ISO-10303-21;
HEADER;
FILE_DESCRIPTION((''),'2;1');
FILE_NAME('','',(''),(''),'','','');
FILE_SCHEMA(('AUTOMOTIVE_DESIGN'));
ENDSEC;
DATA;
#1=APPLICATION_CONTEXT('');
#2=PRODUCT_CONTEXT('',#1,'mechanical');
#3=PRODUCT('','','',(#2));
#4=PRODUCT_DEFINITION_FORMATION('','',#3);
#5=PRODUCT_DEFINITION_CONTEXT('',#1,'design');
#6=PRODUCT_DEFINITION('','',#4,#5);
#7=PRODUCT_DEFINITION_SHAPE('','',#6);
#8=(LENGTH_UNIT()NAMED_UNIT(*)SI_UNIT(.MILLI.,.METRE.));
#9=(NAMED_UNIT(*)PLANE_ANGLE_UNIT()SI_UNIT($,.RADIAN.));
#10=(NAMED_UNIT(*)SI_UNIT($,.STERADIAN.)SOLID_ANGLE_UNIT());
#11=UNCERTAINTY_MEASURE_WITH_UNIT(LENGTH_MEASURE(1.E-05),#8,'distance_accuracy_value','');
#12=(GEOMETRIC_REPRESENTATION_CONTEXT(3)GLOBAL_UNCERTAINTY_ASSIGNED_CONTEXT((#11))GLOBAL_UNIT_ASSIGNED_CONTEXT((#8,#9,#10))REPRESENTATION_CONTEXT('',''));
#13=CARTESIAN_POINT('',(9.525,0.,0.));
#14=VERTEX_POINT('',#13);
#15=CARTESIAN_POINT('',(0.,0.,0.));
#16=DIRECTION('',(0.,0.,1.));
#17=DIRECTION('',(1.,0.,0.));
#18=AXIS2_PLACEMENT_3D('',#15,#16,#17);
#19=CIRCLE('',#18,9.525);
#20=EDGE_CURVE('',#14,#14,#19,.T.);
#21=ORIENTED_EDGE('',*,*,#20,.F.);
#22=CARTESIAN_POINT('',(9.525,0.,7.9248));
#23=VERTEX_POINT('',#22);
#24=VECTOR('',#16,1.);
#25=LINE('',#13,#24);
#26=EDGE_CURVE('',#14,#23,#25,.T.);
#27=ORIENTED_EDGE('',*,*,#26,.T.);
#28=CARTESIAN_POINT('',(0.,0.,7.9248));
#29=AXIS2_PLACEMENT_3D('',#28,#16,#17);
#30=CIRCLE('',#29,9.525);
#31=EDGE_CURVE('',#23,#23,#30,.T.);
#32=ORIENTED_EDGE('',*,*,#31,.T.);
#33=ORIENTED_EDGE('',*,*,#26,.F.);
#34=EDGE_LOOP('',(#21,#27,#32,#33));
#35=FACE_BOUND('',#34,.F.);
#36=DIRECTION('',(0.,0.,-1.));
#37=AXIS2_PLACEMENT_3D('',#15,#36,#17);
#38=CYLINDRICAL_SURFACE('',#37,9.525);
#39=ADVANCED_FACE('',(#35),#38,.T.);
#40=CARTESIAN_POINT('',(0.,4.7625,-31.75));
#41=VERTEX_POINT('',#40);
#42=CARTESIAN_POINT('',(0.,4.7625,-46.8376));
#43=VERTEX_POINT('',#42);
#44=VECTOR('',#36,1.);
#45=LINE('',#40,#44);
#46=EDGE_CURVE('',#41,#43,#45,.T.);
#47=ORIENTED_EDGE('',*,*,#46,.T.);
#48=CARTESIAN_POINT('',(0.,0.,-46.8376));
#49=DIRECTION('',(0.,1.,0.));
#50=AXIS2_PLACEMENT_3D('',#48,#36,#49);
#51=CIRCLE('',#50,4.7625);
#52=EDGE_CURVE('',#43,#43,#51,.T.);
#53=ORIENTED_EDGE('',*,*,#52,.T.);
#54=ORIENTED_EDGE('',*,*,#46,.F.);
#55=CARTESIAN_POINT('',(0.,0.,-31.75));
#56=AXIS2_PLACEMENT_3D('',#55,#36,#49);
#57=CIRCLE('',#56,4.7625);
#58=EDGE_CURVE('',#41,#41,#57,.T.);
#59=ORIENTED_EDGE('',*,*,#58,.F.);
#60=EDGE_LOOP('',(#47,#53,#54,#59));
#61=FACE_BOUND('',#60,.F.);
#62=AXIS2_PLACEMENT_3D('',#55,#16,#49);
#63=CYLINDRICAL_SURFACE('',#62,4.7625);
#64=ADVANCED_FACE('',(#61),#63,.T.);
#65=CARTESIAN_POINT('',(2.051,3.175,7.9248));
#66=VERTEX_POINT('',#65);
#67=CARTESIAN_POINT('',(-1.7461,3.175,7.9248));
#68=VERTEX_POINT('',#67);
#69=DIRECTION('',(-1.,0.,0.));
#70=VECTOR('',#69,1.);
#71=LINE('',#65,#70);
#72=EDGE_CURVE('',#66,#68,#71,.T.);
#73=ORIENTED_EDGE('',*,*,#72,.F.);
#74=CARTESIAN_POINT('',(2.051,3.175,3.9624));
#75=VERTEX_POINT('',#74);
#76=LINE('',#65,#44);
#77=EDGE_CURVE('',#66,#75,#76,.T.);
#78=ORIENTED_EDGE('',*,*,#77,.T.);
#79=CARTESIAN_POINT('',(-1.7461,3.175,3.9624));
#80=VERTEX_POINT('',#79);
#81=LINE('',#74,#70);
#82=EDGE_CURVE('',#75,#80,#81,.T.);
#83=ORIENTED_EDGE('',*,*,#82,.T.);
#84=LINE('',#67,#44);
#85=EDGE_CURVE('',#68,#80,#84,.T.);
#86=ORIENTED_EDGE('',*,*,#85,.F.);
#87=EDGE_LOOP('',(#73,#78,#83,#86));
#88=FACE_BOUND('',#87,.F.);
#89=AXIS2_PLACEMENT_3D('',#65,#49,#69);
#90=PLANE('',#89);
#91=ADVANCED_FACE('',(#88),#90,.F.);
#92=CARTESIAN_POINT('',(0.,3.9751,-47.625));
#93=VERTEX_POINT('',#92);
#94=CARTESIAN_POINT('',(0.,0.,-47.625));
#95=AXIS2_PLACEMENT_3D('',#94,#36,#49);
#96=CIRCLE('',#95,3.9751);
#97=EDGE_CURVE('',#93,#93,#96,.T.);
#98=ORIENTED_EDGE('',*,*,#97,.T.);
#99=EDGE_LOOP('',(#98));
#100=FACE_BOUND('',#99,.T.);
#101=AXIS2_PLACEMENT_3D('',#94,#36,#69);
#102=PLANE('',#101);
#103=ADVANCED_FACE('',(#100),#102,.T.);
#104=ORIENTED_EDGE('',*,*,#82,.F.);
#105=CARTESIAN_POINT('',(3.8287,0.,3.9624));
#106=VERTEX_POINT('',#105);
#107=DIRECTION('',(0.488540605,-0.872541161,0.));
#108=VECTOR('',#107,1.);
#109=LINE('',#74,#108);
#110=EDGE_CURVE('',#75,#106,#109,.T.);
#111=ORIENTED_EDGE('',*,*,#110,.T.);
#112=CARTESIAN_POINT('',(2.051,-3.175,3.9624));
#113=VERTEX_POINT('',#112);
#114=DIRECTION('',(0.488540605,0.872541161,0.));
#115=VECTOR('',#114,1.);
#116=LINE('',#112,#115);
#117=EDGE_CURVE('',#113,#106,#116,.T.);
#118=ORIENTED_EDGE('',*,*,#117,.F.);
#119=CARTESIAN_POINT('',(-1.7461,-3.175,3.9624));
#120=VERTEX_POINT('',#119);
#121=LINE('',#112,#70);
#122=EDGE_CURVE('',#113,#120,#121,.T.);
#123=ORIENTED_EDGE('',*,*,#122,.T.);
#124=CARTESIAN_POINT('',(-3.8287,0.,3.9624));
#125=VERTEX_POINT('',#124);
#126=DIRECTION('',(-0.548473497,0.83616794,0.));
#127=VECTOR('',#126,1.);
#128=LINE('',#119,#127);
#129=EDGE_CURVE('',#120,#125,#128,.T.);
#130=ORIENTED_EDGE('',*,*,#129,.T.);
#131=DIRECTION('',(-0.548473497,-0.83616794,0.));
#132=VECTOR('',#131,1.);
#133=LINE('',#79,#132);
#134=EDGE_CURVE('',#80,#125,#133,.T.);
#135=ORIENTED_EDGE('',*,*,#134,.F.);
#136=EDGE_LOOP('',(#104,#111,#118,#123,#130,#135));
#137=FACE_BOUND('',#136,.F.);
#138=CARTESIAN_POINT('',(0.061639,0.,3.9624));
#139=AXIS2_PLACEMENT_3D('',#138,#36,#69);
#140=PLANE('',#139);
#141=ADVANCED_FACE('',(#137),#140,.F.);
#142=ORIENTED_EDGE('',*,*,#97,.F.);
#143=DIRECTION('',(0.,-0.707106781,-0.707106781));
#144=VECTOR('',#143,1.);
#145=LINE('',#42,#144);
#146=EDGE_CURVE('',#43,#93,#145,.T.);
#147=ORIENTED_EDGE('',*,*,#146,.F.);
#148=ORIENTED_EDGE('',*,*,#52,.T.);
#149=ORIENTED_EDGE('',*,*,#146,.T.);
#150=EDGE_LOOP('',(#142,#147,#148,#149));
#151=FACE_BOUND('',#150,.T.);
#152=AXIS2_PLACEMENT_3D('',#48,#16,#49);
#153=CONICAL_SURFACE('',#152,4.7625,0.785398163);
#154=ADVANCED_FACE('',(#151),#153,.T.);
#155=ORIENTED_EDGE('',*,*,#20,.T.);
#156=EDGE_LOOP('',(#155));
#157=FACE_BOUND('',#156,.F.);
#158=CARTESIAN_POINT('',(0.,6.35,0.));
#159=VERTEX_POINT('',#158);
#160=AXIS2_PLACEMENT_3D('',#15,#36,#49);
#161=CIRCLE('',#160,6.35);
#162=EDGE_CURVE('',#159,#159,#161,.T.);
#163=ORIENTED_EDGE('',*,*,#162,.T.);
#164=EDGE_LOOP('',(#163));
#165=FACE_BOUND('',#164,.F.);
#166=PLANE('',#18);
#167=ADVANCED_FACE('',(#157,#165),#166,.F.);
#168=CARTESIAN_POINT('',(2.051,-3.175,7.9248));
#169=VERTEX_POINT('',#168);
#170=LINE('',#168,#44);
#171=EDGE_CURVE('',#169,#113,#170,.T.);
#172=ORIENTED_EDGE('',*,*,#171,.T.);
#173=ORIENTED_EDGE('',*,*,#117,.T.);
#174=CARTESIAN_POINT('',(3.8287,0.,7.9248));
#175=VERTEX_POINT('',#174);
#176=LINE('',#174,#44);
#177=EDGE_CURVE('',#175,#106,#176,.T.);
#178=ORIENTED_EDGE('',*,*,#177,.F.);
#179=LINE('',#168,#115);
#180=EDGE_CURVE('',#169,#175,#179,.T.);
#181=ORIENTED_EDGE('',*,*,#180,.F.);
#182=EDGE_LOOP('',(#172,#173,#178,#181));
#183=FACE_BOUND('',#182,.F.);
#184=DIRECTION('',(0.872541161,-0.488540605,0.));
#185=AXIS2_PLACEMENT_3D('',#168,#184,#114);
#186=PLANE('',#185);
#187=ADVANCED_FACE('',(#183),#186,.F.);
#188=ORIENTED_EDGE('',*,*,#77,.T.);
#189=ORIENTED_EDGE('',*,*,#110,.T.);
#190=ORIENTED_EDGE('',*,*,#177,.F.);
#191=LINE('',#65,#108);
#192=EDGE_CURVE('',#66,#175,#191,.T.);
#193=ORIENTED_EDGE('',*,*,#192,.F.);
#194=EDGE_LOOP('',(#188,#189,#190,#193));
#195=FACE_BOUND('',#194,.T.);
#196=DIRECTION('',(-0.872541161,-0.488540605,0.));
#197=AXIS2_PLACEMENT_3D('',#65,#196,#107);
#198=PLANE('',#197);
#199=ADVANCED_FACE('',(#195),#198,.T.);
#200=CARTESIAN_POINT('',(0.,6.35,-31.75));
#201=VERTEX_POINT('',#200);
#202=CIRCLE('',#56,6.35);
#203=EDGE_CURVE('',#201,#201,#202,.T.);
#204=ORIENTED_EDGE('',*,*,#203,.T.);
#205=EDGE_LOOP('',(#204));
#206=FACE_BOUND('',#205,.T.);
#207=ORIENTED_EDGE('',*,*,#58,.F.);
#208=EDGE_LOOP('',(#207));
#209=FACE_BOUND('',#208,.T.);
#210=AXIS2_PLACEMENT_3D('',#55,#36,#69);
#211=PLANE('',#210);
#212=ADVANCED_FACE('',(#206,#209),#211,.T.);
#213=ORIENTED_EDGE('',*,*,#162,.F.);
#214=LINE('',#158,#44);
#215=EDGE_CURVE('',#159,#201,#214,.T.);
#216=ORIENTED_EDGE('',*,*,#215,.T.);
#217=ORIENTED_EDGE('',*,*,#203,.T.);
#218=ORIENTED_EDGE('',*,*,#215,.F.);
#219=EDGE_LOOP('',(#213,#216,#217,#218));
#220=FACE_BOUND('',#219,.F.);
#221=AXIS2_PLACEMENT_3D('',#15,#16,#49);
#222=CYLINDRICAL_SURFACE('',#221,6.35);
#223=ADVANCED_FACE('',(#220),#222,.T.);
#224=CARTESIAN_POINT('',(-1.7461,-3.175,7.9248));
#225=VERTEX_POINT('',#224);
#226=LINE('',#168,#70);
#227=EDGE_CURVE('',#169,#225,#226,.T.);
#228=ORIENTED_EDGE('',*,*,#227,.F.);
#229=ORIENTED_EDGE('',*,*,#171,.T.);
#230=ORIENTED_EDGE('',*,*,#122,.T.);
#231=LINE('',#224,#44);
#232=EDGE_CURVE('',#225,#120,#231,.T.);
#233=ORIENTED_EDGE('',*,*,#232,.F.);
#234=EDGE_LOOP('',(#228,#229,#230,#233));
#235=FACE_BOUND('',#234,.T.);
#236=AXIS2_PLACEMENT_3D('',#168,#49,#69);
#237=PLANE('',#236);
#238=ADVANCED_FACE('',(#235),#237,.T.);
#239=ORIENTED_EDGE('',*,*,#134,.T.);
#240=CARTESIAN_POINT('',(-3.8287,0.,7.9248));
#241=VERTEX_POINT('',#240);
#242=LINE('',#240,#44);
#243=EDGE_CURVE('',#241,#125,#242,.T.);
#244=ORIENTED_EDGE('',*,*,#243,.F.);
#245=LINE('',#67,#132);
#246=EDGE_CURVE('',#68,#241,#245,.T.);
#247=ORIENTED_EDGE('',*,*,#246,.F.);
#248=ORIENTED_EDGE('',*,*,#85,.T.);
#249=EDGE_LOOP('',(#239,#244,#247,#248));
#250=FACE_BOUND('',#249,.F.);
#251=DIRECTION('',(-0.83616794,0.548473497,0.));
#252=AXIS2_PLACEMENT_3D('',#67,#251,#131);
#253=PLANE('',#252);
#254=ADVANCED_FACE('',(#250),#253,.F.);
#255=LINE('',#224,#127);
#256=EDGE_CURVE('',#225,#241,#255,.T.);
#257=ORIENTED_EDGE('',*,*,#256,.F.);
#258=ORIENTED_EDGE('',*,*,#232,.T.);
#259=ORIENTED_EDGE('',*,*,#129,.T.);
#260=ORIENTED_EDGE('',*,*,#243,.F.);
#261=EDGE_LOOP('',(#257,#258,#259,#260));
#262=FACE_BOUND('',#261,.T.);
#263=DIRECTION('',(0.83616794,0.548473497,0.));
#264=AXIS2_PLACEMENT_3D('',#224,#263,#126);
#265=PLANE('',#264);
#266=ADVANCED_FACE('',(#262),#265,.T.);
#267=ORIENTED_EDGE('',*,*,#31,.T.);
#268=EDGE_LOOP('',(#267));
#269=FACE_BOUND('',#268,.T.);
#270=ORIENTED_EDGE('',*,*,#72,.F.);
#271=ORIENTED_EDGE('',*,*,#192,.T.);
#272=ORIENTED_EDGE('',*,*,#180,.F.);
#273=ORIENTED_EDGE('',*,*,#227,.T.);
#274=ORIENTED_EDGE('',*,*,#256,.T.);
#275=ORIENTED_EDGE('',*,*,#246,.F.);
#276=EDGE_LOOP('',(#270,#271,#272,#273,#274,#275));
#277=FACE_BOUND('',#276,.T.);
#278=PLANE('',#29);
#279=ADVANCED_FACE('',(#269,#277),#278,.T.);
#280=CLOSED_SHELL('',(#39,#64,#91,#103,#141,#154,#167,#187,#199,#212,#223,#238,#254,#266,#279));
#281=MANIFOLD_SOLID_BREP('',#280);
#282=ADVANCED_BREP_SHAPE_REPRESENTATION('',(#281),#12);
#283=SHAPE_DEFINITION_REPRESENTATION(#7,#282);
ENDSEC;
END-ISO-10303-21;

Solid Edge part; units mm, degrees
sketch "Sketch1" plane through (0, 0, 0) normal (0, 0, 1) x (1, 0, 0)
  circle A0 centre (0, 0) radius 9.525
  dimension "D1" = 19.05
extrude "Protrusion1" add sketch "Sketch1" along normal blind 7.9248
sketch "Sketch2" plane through (0, 0, 0) normal (0, 0, -1) x (0, 1, 0)
  circle A0 centre (0, 0) radius 6.35
  dimension "D1" = 12.7
extrude "Protrusion2" add sketch "Sketch2" along normal blind 31.75
sketch "Sketch3" plane through (0, 0, -31.75) normal (0, 0, -1) x (0, 1, 0)
  circle A0 centre (0, 0) radius 4.7625
  dimension "D1" = 9.525
extrude "Protrusion3" add sketch "Sketch3" along normal blind 15.875
sketch "Sketch4" plane through (0, 0, 7.9248) normal (0, 0, 1) x (0, 1, 0)
  line L0 (-3.175, 1.7461) -> (0, 3.8287)
  line L1 (-3.175, -2.051) -> (-3.175, 1.7461)
  line L2 (-3.175, -2.051) -> (0, -3.8287)
  line L3 (3.175, -2.051) -> (0, -3.8287)
  line L4 (3.175, -2.051) -> (3.175, 1.7461)
  line L5 (3.175, 1.7461) -> (0, 3.8287)
  dimension "D1" = 6.35
extrude "Cutout1" cut sketch "Sketch4" against normal blind 3.9624
chamfer "Chamfer1" distance 0.7874 angle 45 1 edges at (0, -4.7625, -47.625)
properties part number "107390"
